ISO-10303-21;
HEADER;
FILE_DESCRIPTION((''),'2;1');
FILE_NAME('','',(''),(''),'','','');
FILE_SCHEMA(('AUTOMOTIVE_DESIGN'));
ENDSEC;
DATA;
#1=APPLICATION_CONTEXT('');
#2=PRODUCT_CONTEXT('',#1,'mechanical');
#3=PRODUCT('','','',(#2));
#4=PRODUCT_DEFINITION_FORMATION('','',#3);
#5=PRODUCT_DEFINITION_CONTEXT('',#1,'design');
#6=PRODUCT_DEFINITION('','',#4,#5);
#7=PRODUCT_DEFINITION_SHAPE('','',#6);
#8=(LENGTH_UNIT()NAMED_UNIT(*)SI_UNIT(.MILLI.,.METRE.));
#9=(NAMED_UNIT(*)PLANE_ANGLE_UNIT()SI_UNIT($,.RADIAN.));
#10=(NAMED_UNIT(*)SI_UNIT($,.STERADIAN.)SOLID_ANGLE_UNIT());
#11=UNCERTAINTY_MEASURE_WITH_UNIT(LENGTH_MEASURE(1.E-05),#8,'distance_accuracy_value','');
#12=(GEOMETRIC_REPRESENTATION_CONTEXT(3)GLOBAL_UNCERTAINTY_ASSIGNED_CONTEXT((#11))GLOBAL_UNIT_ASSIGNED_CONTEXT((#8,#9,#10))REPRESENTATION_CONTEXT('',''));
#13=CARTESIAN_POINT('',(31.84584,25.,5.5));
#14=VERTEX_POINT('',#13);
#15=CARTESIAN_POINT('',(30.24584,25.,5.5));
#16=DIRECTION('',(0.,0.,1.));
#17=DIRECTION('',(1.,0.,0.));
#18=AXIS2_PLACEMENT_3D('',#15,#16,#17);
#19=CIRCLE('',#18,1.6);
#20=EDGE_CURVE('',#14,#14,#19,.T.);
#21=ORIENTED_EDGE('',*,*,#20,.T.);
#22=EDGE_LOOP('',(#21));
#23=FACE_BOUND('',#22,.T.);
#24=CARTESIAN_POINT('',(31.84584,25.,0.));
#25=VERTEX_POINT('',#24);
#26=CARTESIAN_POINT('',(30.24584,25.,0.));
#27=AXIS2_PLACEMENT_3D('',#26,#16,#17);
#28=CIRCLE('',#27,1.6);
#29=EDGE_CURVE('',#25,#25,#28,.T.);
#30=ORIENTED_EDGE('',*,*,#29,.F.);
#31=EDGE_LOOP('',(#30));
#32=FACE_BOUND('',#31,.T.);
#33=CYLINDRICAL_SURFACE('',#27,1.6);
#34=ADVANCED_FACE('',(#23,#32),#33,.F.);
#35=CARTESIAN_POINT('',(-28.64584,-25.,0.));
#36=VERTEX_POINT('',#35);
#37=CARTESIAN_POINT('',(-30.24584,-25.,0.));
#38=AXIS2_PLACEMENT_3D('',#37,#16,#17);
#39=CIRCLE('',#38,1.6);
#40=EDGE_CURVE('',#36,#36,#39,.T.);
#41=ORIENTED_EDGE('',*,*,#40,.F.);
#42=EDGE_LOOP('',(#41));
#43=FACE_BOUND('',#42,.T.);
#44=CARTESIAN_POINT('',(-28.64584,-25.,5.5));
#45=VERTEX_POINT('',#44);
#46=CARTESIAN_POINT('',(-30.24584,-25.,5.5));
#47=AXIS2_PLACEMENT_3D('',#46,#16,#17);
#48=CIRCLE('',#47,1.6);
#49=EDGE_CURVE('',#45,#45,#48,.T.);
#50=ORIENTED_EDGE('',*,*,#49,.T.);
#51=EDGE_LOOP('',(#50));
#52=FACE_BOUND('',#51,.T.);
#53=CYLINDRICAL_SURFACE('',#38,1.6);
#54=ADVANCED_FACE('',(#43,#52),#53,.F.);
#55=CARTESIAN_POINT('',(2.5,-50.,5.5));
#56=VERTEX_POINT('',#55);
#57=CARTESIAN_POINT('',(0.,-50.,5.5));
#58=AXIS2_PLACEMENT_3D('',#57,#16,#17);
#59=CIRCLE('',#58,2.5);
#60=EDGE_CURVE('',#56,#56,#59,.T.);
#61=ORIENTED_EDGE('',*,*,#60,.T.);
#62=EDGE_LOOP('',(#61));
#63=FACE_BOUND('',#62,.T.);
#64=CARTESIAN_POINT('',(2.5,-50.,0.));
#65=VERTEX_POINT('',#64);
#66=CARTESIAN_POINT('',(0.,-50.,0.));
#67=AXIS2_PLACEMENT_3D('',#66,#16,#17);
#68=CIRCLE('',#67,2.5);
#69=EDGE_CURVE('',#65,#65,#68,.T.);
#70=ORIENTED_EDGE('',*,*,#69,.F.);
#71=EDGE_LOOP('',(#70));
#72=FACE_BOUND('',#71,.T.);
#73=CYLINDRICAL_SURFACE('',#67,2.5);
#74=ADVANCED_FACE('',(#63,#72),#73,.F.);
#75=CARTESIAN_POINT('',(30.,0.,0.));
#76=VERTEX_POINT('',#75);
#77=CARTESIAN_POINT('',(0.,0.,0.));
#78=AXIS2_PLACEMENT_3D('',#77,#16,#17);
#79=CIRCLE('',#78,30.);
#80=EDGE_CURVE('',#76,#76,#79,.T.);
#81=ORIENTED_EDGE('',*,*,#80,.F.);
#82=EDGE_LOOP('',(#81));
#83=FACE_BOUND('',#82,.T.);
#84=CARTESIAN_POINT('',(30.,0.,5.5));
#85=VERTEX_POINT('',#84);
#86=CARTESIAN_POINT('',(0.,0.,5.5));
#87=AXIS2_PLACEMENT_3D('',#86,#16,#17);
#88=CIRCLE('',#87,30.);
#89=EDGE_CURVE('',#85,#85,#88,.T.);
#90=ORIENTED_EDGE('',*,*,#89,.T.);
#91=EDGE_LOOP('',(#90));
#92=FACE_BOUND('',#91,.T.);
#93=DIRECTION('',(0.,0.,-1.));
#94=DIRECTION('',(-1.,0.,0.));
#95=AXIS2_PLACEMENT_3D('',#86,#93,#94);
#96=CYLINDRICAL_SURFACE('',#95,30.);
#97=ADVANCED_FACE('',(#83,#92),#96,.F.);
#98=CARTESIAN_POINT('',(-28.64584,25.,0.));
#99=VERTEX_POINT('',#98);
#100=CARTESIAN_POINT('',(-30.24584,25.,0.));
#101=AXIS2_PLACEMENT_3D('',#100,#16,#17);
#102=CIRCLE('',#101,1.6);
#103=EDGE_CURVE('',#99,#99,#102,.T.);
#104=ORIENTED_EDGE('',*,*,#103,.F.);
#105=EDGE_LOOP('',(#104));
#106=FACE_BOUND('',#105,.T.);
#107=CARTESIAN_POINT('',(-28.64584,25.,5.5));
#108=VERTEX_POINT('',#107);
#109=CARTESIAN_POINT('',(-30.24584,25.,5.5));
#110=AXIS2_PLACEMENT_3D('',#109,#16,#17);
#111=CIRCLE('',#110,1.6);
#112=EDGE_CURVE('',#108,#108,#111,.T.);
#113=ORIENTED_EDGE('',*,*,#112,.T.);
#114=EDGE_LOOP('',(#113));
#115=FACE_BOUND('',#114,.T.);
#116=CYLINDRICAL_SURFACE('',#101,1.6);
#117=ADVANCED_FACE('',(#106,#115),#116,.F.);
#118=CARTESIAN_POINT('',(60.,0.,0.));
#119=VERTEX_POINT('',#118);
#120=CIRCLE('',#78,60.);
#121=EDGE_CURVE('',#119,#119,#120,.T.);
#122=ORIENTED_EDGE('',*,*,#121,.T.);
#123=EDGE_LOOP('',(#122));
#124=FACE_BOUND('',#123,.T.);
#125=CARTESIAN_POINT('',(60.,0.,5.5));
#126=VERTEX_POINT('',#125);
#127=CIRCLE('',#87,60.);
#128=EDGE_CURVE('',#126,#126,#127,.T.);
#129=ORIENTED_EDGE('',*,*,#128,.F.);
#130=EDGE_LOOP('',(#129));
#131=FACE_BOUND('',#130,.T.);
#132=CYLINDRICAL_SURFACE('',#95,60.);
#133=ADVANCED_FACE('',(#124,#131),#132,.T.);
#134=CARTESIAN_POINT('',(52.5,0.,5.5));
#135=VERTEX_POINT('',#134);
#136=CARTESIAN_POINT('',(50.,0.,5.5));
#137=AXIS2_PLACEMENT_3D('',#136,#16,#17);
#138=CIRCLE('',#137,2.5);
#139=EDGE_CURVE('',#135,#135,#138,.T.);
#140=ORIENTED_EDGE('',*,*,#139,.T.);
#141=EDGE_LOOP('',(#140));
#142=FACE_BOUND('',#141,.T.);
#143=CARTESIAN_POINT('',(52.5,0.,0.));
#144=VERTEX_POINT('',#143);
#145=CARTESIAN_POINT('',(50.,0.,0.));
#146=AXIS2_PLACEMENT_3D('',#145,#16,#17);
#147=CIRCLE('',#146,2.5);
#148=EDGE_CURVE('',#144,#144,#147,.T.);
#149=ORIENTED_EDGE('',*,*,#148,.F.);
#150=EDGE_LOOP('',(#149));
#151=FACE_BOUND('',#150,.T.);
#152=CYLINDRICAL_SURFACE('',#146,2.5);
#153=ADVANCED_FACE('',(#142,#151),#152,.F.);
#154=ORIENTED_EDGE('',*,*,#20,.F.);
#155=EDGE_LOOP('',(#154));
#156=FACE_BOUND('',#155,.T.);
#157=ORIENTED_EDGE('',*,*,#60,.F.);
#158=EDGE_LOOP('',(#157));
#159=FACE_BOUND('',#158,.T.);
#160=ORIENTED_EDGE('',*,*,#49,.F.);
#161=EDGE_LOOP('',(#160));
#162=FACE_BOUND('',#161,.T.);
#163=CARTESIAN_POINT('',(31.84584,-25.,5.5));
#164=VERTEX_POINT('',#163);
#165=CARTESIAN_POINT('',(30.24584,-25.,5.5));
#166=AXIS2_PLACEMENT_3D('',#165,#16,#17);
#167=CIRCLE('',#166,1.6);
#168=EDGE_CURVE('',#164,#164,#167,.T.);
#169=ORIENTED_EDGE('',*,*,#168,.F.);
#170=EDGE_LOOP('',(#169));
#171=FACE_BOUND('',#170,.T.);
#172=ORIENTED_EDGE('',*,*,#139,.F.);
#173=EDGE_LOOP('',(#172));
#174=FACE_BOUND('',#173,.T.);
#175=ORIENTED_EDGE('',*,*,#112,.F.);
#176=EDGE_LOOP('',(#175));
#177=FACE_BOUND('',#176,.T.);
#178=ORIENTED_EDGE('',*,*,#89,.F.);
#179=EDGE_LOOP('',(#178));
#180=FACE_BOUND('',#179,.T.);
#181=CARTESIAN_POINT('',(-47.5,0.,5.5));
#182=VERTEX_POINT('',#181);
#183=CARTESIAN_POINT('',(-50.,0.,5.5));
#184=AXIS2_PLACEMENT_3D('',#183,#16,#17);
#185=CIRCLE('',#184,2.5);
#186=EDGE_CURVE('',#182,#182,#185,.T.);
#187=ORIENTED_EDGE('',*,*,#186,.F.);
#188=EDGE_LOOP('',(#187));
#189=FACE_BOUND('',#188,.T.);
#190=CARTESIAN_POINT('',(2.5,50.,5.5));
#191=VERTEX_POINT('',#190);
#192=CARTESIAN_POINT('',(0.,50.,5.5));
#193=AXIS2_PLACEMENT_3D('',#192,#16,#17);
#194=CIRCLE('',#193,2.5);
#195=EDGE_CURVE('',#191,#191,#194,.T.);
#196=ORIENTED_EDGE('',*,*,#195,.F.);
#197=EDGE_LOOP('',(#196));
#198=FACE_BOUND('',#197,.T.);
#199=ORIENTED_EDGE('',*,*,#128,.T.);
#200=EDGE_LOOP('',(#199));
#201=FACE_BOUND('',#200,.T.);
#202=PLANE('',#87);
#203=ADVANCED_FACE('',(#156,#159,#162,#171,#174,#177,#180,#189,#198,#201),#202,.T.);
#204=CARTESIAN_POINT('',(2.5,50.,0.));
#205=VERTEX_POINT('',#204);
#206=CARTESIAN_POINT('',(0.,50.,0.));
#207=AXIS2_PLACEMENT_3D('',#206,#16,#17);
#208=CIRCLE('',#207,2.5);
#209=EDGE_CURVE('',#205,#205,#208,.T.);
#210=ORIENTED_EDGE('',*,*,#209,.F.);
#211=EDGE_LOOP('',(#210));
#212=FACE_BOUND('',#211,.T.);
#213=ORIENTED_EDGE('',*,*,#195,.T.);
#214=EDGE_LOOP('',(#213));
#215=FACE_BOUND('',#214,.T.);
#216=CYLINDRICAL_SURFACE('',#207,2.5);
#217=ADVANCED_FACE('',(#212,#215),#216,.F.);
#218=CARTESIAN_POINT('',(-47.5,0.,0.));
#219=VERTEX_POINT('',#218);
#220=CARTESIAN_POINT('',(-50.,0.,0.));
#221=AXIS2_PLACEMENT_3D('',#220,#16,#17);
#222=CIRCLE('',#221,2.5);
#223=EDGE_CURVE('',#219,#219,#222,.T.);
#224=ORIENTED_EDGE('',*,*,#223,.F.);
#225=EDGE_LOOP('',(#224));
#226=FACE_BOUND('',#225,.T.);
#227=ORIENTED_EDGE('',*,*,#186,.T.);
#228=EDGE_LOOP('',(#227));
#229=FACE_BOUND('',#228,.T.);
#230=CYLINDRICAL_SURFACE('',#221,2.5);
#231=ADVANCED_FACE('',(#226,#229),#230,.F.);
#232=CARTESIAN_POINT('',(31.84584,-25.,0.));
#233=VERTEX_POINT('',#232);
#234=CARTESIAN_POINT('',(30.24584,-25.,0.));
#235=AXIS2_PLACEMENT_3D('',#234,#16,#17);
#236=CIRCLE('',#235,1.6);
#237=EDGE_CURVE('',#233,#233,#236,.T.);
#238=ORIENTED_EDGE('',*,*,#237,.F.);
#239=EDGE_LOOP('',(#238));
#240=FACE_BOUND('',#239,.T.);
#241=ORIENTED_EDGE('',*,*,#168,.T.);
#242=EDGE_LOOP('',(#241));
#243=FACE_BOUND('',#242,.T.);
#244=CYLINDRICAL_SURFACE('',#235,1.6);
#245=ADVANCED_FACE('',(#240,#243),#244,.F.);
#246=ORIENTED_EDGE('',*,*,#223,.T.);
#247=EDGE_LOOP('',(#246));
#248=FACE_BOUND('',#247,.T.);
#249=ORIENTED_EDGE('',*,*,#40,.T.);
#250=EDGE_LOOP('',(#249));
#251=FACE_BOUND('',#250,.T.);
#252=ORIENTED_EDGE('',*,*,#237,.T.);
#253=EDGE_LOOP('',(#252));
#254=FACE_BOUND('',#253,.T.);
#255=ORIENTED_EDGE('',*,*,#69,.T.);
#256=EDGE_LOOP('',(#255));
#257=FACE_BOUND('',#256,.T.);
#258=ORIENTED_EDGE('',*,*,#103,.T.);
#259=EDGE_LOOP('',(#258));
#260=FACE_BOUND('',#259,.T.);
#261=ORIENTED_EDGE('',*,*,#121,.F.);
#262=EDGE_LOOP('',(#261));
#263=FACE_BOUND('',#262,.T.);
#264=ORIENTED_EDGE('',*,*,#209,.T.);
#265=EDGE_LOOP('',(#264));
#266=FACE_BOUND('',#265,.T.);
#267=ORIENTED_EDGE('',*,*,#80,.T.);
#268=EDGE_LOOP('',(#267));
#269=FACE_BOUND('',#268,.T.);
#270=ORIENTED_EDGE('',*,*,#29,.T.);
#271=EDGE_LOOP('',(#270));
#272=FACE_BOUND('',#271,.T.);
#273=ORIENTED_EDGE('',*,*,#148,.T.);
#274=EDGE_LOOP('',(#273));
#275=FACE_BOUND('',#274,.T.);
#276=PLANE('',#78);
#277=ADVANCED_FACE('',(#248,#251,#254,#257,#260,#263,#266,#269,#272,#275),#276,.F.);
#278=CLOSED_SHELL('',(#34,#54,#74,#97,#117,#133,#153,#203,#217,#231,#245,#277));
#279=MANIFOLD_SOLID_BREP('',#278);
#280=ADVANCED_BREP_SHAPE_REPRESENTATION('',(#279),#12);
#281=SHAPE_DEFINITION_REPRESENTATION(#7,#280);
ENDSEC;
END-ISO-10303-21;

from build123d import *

# Parameters (mm, degrees)
SKETCH_1_R               = 60
SKETCH_1_R_2             = 30
EXTRUDE_1_DEPTH          = 5.5
CUT_EXTRUDE_1_DEPTH      = 86.030876745
CUT_EXTRUDE_1_DEPTH_BACK = 86.030876745
SKETCH_2_R               = 2.5
CUT_EXTRUDE_3_DEPTH      = 86.030876745
CUT_EXTRUDE_3_DEPTH_BACK = 86.030876745
SKETCH_3_R               = 1.6


with BuildPart() as part:
    # ｽｹｯﾁ1 → ﾎﾞｽ - 押し出し1 (new body)
    with BuildSketch(Plane.XY):
        Circle(SKETCH_1_R)
        Circle(SKETCH_1_R_2, mode=Mode.SUBTRACT)
    extrude(amount=EXTRUDE_1_DEPTH)

    # ｽｹｯﾁ2 → ｶｯﾄ - 押し出し1 (cut, two sides: drawn at the far end of the back side and taken through both)
    with BuildSketch(Plane.XY.offset(5.5).offset(-CUT_EXTRUDE_1_DEPTH_BACK)):
        with Locations((0, -50)):
            Circle(SKETCH_2_R)
        with Locations((-50, 0)):
            Circle(SKETCH_2_R)
        with Locations((50, 0)):
            Circle(SKETCH_2_R)
        with Locations((0, 50)):
            Circle(SKETCH_2_R)
    extrude(amount=CUT_EXTRUDE_1_DEPTH + CUT_EXTRUDE_1_DEPTH_BACK, mode=Mode.SUBTRACT)

    # ｽｹｯﾁ3 → ｶｯﾄ - 押し出し3 (cut, two sides: drawn at the far end of the back side and taken through both)
    with BuildSketch(Plane.XY.offset(5.5).offset(-CUT_EXTRUDE_3_DEPTH_BACK)):
        with Locations((30.245839942, 25)):
            Circle(SKETCH_3_R)
        with Locations((-30.245839942, 25)):
            Circle(SKETCH_3_R)
        with Locations((-30.245839942, -25)):
            Circle(SKETCH_3_R)
        with Locations((30.245839942, -25)):
            Circle(SKETCH_3_R)
    extrude(amount=CUT_EXTRUDE_3_DEPTH + CUT_EXTRUDE_3_DEPTH_BACK, mode=Mode.SUBTRACT)


solid = part.part
